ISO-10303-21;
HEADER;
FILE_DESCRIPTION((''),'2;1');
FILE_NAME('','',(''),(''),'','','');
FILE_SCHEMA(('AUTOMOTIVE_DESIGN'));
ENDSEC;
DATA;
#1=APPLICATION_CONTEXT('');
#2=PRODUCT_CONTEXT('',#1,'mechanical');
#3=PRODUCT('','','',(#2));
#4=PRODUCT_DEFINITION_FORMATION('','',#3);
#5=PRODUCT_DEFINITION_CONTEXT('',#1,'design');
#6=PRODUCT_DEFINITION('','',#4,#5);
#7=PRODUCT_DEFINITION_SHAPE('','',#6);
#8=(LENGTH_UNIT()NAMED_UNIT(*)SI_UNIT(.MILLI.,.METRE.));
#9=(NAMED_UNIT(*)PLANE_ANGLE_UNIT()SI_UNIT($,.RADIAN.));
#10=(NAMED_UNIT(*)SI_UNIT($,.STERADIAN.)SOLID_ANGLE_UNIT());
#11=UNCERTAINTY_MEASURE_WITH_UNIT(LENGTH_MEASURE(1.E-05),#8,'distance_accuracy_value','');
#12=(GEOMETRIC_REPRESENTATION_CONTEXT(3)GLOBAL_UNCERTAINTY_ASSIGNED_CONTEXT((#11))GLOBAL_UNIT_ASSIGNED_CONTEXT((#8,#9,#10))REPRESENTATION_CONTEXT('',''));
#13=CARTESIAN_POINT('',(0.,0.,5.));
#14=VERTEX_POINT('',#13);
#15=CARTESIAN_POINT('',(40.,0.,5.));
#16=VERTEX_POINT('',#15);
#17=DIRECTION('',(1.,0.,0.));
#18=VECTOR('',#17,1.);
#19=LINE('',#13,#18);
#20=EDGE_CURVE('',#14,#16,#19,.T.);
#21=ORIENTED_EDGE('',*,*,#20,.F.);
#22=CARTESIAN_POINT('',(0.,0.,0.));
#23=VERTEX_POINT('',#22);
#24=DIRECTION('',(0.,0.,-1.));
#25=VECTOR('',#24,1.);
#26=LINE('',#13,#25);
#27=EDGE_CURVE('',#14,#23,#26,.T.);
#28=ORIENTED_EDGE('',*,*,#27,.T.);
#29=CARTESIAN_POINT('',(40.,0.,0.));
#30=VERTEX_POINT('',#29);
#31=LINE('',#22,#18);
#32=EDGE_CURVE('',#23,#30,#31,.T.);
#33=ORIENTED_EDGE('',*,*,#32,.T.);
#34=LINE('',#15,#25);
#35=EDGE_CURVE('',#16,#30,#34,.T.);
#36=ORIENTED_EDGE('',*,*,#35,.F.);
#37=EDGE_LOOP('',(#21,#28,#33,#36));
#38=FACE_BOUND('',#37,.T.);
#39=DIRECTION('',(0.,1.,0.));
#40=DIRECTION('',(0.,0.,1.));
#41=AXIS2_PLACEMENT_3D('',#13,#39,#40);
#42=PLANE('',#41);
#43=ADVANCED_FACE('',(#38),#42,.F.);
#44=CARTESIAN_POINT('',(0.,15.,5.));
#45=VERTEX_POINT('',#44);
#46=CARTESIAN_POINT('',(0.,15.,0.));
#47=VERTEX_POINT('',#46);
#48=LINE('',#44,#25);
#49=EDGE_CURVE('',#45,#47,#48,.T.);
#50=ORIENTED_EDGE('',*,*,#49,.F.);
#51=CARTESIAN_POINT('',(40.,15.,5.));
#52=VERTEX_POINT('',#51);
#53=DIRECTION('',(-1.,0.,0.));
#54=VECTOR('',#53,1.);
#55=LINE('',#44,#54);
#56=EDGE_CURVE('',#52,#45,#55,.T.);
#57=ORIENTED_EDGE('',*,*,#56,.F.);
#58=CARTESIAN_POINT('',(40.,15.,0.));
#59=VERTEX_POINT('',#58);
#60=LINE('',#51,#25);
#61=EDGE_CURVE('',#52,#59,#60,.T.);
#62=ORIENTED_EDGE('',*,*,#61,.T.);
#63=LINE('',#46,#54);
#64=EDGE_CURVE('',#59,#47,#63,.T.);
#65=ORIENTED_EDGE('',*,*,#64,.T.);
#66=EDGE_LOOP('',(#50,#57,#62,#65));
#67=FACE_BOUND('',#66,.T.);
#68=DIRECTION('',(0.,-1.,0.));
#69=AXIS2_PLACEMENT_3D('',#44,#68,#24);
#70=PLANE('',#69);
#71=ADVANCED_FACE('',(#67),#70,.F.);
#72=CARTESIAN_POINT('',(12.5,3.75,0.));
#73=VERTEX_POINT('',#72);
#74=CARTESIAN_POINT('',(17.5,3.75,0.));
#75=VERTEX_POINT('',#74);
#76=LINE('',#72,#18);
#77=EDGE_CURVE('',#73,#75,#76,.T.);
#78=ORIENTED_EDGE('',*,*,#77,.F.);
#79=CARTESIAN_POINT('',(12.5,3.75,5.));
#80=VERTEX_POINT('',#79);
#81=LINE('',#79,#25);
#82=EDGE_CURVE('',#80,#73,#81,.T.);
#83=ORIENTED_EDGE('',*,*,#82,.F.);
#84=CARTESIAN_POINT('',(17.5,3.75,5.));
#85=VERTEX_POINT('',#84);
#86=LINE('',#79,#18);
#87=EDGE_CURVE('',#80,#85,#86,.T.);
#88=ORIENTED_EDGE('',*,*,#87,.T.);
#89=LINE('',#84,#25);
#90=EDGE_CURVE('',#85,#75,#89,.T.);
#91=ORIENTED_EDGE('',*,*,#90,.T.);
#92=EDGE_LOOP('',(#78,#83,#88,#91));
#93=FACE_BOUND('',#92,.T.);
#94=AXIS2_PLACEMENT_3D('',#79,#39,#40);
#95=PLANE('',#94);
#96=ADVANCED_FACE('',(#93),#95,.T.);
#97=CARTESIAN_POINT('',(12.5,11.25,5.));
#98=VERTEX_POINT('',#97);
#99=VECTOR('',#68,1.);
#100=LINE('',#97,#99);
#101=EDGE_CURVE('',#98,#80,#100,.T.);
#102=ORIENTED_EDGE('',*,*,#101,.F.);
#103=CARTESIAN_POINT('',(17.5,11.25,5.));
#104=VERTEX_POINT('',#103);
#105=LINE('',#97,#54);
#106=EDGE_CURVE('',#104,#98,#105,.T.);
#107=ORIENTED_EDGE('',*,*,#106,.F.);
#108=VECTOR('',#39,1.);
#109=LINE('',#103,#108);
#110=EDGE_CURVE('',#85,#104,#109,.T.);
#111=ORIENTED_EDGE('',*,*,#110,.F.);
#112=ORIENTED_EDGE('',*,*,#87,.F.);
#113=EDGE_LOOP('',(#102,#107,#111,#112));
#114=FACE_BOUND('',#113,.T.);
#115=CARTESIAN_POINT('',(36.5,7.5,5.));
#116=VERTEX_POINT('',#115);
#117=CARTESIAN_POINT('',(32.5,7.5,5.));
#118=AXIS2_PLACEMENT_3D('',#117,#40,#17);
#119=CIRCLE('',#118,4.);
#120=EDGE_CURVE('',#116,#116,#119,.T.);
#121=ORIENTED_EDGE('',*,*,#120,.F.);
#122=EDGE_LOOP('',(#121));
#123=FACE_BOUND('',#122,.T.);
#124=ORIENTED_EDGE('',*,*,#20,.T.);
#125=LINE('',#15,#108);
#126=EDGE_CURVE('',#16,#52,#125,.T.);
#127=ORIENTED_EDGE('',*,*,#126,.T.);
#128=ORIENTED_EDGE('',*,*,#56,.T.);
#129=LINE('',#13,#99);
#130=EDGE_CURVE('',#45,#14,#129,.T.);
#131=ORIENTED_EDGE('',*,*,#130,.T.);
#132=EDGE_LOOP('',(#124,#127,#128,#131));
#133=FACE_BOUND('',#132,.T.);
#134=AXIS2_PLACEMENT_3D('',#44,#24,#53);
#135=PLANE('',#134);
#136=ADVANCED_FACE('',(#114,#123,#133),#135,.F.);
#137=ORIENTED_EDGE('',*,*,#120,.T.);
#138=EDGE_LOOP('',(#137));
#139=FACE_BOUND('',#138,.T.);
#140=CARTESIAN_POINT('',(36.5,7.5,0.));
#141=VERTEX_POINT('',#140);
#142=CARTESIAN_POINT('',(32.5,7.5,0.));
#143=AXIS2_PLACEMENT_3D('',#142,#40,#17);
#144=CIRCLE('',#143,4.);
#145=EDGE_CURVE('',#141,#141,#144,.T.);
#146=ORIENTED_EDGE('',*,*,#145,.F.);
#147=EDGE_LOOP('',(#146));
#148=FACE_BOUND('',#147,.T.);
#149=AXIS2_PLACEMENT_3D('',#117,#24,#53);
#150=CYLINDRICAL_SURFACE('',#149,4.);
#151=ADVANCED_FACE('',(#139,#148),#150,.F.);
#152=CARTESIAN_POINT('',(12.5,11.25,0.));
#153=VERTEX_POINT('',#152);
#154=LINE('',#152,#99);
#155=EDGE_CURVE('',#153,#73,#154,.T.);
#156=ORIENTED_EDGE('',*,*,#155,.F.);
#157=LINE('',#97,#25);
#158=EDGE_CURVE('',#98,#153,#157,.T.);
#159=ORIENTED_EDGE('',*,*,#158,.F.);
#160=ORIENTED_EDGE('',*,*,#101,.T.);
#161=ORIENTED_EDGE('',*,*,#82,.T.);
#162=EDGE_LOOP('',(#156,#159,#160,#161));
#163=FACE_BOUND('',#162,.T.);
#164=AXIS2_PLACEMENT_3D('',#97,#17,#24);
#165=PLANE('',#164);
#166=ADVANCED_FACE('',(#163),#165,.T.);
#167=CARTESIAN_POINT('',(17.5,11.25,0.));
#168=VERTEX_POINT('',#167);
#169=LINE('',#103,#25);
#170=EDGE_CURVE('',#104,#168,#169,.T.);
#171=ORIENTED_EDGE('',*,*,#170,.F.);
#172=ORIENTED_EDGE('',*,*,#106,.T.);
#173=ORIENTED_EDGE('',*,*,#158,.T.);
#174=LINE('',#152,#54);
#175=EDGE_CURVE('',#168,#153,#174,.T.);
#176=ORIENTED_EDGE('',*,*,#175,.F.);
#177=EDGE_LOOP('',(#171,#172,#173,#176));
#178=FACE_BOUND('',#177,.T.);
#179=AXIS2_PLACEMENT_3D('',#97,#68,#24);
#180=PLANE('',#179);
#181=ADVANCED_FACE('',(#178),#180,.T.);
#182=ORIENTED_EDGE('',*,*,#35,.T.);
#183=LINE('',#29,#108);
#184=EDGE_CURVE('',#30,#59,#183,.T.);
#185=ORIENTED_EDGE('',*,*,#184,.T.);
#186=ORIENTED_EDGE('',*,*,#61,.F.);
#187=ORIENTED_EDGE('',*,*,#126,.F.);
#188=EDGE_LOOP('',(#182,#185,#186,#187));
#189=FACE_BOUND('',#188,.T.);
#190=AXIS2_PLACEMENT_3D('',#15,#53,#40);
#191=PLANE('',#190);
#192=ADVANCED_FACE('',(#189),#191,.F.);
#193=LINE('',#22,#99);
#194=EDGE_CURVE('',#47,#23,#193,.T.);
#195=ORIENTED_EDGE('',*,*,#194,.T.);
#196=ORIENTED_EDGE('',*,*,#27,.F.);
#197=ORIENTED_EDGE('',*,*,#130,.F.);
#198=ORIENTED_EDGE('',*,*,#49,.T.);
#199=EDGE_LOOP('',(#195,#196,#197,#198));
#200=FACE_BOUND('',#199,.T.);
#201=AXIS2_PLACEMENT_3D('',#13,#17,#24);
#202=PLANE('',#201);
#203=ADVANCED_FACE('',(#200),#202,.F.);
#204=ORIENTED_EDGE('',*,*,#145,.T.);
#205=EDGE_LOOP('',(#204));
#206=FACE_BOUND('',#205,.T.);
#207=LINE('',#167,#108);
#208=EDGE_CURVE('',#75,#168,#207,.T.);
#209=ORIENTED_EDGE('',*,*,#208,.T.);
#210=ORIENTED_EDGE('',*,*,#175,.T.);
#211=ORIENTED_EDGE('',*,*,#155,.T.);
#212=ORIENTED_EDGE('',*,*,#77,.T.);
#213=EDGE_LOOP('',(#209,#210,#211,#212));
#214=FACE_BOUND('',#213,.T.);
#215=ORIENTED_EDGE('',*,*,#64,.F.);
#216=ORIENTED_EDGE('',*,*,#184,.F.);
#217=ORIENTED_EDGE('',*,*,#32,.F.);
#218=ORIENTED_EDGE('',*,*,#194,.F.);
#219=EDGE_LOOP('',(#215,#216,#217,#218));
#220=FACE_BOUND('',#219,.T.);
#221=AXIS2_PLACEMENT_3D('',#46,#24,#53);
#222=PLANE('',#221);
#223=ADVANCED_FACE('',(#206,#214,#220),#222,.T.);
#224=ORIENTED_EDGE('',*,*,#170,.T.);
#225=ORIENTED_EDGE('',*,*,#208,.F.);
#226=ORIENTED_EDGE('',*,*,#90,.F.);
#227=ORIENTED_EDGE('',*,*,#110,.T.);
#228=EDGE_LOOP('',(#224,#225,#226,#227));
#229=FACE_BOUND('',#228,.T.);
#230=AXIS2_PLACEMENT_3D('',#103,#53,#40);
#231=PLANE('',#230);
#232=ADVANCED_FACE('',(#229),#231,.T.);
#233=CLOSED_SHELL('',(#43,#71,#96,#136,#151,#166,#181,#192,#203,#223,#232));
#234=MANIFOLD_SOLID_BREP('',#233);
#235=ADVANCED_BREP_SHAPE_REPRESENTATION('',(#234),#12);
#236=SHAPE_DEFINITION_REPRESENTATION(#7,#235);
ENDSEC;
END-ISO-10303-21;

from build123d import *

# Parameters (mm, degrees)
SKETCH1_W           = 40
SKETCH1_H           = 15
SKETCH1_R           = 4
SKETCH1_W_2         = 5
SKETCH1_H_2         = 7.5
BOSS_EXTRUDE1_DEPTH = 5


with BuildPart() as part:
    # Sketch1 → Boss-Extrude1 (new body)
    with BuildSketch(Plane.XY):
        with Locations((20, 7.5)):
            Rectangle(SKETCH1_W, SKETCH1_H)
        with Locations((32.5, 7.5)):
            Circle(SKETCH1_R, mode=Mode.SUBTRACT)
        with Locations((15, 7.5)):
            Rectangle(SKETCH1_W_2, SKETCH1_H_2, mode=Mode.SUBTRACT)
    extrude(amount=BOSS_EXTRUDE1_DEPTH)


solid = part.part
